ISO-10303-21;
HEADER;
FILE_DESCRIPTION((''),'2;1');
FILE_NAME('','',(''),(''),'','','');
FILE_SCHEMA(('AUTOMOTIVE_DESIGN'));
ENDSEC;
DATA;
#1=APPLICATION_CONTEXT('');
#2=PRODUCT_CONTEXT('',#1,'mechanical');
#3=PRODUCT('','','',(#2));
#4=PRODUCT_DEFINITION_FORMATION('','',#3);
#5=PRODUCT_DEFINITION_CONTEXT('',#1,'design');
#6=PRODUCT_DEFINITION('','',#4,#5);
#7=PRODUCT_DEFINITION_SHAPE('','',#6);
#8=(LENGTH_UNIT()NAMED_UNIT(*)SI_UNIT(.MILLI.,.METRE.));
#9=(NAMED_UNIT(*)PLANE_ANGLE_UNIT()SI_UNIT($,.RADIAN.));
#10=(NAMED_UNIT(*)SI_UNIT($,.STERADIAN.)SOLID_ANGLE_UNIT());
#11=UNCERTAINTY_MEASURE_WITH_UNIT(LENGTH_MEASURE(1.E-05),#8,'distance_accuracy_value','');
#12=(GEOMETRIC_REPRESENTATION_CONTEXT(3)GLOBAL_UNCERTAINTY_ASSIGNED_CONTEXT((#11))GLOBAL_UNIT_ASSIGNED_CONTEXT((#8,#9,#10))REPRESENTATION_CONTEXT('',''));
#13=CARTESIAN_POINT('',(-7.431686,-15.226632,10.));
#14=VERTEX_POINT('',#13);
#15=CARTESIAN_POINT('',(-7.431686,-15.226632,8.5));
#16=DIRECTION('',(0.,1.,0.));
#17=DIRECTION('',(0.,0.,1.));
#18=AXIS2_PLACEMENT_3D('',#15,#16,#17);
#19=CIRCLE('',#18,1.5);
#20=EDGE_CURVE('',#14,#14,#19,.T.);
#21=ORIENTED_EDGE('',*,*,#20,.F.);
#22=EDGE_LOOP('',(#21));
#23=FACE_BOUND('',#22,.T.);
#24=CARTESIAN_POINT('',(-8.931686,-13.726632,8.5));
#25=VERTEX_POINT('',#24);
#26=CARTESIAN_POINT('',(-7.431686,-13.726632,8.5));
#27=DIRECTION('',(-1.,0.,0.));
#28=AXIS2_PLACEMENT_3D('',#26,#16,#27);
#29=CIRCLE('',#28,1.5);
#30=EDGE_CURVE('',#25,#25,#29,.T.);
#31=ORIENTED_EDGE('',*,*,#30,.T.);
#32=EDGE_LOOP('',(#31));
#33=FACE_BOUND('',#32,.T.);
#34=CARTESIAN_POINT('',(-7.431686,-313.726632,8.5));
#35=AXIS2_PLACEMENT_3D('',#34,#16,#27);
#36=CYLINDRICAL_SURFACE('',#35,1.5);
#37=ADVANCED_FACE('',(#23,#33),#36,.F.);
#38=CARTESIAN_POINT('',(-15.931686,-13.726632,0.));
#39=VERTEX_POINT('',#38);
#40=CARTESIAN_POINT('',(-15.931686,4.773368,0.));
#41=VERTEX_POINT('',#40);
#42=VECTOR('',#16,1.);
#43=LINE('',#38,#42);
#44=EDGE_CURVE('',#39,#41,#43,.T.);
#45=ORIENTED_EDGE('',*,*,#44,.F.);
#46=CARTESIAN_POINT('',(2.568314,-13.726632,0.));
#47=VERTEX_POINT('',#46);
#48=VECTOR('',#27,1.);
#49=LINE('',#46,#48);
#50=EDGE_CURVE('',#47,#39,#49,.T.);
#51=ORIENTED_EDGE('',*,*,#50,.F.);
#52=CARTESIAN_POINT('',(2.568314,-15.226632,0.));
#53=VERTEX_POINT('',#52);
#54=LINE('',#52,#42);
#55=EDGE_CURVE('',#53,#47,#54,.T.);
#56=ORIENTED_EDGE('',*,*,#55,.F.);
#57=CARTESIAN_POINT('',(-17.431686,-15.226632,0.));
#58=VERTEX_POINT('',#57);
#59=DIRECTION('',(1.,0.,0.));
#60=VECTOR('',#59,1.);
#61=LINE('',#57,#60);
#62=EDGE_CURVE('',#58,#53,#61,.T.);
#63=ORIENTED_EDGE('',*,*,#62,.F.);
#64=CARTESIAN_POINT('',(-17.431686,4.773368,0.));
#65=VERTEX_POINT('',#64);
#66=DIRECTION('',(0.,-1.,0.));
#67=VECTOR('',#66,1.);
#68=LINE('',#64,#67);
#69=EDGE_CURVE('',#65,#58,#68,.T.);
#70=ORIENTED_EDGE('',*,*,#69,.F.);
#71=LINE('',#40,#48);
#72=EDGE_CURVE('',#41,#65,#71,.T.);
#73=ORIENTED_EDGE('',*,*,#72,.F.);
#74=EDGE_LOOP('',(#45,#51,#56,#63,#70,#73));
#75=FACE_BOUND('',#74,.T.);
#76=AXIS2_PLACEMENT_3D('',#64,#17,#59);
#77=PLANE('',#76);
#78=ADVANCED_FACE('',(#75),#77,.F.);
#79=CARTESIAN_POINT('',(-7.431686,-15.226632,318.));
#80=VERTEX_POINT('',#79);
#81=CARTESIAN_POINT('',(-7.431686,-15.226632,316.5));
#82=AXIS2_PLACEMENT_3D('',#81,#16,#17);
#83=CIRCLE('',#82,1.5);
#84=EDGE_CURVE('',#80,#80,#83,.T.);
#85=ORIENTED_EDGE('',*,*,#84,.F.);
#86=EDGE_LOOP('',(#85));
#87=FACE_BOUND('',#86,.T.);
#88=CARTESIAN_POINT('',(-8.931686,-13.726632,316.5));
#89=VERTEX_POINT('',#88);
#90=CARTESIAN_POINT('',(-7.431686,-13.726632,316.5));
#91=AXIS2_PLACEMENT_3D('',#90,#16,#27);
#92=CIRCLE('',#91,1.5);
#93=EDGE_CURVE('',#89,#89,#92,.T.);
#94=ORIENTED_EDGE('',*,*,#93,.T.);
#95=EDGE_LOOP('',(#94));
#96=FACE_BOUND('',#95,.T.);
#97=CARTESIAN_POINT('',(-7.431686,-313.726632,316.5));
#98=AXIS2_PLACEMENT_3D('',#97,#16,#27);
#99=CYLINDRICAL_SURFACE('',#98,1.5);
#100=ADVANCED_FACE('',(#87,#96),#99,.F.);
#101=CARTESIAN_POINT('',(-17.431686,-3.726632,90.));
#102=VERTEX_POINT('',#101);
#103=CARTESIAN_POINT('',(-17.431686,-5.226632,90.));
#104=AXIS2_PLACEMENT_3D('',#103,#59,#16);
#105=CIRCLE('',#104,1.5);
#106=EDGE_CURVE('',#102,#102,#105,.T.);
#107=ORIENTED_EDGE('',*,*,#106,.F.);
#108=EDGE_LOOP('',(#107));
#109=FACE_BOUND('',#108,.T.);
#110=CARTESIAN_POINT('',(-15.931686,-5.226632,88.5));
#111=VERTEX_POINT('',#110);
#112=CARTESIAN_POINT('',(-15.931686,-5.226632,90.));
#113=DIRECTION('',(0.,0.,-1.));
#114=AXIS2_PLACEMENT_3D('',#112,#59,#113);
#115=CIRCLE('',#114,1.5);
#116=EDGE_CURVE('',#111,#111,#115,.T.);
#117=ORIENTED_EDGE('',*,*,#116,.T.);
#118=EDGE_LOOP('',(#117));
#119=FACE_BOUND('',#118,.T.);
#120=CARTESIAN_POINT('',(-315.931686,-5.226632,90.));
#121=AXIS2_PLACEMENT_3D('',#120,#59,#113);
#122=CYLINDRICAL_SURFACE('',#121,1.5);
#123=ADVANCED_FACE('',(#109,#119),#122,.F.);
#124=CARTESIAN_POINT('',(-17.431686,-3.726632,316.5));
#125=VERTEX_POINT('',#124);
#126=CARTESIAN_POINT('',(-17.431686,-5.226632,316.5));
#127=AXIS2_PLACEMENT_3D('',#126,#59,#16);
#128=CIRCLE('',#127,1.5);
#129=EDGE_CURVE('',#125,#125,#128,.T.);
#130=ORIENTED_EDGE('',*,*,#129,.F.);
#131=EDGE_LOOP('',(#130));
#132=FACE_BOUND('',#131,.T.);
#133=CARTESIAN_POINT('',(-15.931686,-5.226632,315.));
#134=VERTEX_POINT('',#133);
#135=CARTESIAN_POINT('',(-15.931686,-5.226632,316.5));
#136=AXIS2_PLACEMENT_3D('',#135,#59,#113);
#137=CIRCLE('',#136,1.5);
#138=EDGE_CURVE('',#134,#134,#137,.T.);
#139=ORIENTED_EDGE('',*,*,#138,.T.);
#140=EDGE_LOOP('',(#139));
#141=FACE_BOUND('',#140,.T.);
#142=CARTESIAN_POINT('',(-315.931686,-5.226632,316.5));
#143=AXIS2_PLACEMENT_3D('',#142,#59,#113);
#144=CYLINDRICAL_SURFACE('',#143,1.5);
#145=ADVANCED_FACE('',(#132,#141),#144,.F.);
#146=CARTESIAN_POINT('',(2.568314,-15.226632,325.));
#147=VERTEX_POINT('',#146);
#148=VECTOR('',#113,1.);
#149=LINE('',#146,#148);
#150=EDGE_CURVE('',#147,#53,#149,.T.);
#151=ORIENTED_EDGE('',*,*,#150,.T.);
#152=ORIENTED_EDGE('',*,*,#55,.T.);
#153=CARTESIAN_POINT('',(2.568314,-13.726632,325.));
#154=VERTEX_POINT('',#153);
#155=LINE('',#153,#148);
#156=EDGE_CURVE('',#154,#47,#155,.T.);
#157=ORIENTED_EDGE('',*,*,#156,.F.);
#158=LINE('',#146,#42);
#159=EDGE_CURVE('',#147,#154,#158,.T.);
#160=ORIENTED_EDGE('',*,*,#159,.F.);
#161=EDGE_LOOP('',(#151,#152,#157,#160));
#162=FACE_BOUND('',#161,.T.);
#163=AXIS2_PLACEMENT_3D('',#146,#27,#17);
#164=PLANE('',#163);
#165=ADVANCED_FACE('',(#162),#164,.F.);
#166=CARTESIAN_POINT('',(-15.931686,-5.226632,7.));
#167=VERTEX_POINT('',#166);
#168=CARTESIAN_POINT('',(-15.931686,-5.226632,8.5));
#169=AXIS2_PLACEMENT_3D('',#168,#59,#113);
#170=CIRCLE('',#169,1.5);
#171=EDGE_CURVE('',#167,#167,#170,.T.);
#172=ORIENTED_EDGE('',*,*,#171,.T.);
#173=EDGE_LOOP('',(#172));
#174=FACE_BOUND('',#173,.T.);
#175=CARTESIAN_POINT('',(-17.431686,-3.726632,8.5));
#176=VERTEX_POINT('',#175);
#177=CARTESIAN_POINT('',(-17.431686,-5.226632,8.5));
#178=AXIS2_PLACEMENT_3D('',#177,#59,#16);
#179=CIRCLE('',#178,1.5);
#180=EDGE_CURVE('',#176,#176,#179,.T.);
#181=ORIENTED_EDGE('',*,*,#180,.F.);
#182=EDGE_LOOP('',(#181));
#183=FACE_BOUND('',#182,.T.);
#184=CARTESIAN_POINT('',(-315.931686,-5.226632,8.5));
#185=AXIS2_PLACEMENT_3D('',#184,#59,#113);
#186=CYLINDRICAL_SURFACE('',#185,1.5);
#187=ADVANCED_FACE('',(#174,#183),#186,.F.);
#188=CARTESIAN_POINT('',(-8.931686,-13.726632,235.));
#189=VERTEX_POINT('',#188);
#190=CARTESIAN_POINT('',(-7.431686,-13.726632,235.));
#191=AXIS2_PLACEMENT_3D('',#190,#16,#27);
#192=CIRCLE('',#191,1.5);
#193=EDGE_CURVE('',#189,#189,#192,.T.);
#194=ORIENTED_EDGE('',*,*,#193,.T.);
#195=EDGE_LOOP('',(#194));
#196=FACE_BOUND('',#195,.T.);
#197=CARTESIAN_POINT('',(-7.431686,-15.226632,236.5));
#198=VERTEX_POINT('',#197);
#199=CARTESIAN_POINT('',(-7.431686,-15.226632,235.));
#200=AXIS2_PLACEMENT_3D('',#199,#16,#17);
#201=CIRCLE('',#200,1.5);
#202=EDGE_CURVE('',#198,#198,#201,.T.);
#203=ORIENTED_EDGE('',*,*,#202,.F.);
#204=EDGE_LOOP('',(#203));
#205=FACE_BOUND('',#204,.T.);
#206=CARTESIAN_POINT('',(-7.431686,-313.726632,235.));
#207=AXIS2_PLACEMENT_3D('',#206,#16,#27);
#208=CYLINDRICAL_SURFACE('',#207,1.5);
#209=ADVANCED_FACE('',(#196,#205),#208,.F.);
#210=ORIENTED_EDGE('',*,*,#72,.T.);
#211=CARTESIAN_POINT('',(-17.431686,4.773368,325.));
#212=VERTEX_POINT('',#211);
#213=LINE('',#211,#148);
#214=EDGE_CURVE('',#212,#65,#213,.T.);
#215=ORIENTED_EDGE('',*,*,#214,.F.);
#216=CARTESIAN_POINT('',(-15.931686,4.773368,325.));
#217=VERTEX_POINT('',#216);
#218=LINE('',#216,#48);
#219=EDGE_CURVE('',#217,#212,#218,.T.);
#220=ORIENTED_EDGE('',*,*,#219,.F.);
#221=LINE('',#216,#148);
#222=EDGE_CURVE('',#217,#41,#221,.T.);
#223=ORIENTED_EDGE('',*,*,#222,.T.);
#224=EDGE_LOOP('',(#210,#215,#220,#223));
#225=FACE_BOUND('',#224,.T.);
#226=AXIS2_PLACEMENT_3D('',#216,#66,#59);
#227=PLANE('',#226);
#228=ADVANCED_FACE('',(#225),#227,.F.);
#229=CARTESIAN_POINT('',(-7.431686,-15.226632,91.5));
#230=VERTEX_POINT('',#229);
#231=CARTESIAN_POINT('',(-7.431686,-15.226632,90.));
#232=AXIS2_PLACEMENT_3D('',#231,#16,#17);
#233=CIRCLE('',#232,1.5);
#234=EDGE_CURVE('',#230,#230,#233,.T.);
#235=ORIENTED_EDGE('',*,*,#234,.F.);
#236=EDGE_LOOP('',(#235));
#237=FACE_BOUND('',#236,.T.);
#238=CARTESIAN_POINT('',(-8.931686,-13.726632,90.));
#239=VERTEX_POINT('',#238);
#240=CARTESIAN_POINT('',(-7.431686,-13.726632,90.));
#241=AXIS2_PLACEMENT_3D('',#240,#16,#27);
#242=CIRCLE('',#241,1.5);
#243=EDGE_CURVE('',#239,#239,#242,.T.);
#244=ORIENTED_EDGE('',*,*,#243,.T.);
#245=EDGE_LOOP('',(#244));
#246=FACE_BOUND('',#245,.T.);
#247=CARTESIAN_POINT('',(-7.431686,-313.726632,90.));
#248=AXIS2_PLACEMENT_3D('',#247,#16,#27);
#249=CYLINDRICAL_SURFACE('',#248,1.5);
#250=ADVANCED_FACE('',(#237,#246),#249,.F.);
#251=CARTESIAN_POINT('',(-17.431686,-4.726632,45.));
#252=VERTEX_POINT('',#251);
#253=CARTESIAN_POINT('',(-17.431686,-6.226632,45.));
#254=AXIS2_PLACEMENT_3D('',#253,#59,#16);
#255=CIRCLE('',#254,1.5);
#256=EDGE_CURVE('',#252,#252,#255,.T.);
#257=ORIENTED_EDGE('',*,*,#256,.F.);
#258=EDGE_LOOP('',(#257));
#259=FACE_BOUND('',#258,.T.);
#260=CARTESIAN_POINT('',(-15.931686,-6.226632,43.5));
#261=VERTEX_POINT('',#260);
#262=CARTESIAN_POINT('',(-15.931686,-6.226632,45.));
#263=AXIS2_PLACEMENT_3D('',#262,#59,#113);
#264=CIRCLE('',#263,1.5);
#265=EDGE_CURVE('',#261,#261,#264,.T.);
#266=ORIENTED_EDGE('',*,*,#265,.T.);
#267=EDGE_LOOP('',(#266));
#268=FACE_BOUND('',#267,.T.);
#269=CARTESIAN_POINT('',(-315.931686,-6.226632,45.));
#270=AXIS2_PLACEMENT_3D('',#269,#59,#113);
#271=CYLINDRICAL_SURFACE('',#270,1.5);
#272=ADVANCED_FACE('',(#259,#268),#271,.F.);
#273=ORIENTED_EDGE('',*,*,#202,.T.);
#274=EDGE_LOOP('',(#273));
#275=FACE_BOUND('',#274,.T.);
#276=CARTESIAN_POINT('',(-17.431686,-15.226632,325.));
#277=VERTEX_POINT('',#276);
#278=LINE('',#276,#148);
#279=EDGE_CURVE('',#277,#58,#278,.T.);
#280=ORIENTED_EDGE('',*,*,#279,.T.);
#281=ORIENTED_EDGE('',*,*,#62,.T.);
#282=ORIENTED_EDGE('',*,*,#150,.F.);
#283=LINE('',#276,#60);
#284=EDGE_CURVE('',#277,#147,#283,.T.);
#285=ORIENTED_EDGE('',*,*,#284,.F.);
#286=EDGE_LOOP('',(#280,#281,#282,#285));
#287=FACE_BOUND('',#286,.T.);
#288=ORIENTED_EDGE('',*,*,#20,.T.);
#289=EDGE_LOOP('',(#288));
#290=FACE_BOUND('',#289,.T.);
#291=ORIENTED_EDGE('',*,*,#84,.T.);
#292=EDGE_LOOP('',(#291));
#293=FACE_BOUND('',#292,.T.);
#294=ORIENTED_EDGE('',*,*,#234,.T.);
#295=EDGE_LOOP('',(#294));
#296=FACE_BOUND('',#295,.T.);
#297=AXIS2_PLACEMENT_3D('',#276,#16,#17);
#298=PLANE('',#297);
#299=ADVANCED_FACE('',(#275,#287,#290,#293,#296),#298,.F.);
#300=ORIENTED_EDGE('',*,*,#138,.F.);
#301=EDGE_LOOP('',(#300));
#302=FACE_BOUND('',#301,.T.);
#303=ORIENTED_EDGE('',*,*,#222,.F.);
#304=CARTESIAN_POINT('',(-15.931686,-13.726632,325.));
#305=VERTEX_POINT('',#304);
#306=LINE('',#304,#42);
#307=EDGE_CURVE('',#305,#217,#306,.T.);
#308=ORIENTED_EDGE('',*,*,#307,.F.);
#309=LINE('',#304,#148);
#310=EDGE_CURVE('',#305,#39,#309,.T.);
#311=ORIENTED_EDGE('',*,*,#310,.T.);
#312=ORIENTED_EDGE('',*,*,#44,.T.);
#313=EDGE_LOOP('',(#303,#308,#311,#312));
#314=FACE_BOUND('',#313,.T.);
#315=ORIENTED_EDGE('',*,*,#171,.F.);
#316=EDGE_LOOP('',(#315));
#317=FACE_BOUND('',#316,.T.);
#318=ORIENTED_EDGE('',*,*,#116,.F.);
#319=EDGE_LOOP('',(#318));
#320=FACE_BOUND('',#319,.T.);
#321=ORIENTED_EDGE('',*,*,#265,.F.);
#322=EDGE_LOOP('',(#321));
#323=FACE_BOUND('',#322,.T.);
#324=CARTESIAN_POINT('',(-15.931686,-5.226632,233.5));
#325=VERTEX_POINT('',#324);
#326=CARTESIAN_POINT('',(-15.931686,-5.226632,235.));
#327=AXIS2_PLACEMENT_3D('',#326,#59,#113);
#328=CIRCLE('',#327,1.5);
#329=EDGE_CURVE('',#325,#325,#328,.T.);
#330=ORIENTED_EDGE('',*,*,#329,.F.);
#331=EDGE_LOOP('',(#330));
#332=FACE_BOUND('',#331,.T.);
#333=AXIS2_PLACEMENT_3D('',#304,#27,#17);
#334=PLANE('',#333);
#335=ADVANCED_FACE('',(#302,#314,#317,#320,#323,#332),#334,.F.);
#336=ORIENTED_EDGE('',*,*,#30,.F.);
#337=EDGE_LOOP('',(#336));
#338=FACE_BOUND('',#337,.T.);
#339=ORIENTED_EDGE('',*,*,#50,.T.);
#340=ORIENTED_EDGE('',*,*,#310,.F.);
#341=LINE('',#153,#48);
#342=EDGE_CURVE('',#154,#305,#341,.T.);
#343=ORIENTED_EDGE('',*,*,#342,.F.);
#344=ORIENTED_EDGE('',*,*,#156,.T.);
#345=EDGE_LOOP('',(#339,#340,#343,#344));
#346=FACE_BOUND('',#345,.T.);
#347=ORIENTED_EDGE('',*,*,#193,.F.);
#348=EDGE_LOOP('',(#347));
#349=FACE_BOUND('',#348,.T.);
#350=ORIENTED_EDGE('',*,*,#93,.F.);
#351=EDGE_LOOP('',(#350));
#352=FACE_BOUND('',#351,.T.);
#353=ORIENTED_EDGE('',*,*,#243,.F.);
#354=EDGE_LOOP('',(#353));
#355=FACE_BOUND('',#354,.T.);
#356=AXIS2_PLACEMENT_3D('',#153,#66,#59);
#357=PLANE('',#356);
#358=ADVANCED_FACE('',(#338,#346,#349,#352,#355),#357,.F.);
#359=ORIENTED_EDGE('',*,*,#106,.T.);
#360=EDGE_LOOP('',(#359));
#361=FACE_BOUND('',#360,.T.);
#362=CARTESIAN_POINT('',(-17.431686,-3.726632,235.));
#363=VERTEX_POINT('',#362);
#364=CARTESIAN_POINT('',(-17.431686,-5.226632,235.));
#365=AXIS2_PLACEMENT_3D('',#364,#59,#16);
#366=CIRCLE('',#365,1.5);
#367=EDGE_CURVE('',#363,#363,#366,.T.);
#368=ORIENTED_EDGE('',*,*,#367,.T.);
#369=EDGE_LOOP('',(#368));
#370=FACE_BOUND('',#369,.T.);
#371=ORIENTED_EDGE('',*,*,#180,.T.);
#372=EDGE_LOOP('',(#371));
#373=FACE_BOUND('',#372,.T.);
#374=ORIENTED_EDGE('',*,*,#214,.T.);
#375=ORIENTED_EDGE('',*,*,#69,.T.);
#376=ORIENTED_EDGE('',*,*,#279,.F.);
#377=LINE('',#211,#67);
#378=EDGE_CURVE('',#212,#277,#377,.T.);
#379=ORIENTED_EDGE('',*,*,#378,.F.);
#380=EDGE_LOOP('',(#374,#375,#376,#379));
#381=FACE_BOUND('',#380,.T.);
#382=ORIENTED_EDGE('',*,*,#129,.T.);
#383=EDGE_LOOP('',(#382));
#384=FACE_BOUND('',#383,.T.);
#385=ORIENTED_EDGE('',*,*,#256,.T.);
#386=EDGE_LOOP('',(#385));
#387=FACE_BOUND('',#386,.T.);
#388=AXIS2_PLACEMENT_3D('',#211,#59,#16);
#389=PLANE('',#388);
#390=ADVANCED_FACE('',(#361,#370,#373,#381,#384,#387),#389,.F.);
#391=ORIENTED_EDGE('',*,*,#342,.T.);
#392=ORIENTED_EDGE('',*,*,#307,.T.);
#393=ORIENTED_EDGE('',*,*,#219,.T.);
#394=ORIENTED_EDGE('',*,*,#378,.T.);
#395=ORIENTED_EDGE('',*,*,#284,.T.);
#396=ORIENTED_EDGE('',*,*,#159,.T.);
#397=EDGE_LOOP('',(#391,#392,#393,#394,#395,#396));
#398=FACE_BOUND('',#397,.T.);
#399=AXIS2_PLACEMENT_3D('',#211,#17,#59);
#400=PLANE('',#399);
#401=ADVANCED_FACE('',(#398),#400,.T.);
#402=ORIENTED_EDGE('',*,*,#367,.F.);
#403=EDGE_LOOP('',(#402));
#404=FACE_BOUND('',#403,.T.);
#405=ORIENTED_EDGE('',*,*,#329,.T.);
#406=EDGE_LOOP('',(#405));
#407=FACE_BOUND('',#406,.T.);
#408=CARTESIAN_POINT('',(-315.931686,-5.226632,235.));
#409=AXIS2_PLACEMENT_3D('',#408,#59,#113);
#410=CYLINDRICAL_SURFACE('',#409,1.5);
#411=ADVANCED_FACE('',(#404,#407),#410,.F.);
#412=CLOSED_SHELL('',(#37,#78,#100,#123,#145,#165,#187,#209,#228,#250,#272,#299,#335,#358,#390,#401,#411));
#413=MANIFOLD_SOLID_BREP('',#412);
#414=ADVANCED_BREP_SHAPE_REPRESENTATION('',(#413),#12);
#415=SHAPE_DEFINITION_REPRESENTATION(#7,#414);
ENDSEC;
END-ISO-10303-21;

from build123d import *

# Parameters (mm, degrees)
EXTRUSION1_DEPTH = 325
ESQUISSE2_R      = 1.5
EXTRUSION2_DEPTH = 300
ESQUISSE3_R      = 1.5
EXTRUSION3_DEPTH = 300


with BuildPart() as part:
    # Esquisse1 → Extrusion1 (new body)
    with BuildSketch(Plane.XY):
        Polygon((-17.43168638, 4.773368421), (-17.43168638, -15.226631579), (2.56831362, -15.226631579), (2.56831362, -13.726631579), (-15.93168638, -13.726631579), (-15.93168638, 4.773368421), align=None)
    extrude(amount=EXTRUSION1_DEPTH)

    # Esquisse2 → Extrusion2 (cut)
    with BuildSketch(Plane(origin=(0, -13.726631579, 0), x_dir=(-1, 0, 0), z_dir=(0, 1, 0))):
        with Locations((7.43168638, 8.5)):
            Circle(ESQUISSE2_R)
        with Locations((7.43168638, 316.5)):
            Circle(ESQUISSE2_R)
        with Locations((7.43168638, 235)):
            Circle(ESQUISSE2_R)
        with Locations((7.43168638, 90)):
            Circle(ESQUISSE2_R)
    extrude(amount=-EXTRUSION2_DEPTH, mode=Mode.SUBTRACT)

    # Esquisse3 → Extrusion3 (cut)
    with BuildSketch(Plane(origin=(-15.93168638, 0, 0), x_dir=(0, 0, -1), z_dir=(1, 0, 0))):
        with Locations((-316.5, -5.226631579)):
            Circle(ESQUISSE3_R)
        with Locations((-8.5, -5.226631579)):
            Circle(ESQUISSE3_R)
        with Locations((-235, -5.226631579)):
            Circle(ESQUISSE3_R)
        with Locations((-90, -5.226631579)):
            Circle(ESQUISSE3_R)
        with Locations((-45, -6.226631579)):
            Circle(ESQUISSE3_R)
    extrude(amount=-EXTRUSION3_DEPTH, mode=Mode.SUBTRACT)


solid = part.part
